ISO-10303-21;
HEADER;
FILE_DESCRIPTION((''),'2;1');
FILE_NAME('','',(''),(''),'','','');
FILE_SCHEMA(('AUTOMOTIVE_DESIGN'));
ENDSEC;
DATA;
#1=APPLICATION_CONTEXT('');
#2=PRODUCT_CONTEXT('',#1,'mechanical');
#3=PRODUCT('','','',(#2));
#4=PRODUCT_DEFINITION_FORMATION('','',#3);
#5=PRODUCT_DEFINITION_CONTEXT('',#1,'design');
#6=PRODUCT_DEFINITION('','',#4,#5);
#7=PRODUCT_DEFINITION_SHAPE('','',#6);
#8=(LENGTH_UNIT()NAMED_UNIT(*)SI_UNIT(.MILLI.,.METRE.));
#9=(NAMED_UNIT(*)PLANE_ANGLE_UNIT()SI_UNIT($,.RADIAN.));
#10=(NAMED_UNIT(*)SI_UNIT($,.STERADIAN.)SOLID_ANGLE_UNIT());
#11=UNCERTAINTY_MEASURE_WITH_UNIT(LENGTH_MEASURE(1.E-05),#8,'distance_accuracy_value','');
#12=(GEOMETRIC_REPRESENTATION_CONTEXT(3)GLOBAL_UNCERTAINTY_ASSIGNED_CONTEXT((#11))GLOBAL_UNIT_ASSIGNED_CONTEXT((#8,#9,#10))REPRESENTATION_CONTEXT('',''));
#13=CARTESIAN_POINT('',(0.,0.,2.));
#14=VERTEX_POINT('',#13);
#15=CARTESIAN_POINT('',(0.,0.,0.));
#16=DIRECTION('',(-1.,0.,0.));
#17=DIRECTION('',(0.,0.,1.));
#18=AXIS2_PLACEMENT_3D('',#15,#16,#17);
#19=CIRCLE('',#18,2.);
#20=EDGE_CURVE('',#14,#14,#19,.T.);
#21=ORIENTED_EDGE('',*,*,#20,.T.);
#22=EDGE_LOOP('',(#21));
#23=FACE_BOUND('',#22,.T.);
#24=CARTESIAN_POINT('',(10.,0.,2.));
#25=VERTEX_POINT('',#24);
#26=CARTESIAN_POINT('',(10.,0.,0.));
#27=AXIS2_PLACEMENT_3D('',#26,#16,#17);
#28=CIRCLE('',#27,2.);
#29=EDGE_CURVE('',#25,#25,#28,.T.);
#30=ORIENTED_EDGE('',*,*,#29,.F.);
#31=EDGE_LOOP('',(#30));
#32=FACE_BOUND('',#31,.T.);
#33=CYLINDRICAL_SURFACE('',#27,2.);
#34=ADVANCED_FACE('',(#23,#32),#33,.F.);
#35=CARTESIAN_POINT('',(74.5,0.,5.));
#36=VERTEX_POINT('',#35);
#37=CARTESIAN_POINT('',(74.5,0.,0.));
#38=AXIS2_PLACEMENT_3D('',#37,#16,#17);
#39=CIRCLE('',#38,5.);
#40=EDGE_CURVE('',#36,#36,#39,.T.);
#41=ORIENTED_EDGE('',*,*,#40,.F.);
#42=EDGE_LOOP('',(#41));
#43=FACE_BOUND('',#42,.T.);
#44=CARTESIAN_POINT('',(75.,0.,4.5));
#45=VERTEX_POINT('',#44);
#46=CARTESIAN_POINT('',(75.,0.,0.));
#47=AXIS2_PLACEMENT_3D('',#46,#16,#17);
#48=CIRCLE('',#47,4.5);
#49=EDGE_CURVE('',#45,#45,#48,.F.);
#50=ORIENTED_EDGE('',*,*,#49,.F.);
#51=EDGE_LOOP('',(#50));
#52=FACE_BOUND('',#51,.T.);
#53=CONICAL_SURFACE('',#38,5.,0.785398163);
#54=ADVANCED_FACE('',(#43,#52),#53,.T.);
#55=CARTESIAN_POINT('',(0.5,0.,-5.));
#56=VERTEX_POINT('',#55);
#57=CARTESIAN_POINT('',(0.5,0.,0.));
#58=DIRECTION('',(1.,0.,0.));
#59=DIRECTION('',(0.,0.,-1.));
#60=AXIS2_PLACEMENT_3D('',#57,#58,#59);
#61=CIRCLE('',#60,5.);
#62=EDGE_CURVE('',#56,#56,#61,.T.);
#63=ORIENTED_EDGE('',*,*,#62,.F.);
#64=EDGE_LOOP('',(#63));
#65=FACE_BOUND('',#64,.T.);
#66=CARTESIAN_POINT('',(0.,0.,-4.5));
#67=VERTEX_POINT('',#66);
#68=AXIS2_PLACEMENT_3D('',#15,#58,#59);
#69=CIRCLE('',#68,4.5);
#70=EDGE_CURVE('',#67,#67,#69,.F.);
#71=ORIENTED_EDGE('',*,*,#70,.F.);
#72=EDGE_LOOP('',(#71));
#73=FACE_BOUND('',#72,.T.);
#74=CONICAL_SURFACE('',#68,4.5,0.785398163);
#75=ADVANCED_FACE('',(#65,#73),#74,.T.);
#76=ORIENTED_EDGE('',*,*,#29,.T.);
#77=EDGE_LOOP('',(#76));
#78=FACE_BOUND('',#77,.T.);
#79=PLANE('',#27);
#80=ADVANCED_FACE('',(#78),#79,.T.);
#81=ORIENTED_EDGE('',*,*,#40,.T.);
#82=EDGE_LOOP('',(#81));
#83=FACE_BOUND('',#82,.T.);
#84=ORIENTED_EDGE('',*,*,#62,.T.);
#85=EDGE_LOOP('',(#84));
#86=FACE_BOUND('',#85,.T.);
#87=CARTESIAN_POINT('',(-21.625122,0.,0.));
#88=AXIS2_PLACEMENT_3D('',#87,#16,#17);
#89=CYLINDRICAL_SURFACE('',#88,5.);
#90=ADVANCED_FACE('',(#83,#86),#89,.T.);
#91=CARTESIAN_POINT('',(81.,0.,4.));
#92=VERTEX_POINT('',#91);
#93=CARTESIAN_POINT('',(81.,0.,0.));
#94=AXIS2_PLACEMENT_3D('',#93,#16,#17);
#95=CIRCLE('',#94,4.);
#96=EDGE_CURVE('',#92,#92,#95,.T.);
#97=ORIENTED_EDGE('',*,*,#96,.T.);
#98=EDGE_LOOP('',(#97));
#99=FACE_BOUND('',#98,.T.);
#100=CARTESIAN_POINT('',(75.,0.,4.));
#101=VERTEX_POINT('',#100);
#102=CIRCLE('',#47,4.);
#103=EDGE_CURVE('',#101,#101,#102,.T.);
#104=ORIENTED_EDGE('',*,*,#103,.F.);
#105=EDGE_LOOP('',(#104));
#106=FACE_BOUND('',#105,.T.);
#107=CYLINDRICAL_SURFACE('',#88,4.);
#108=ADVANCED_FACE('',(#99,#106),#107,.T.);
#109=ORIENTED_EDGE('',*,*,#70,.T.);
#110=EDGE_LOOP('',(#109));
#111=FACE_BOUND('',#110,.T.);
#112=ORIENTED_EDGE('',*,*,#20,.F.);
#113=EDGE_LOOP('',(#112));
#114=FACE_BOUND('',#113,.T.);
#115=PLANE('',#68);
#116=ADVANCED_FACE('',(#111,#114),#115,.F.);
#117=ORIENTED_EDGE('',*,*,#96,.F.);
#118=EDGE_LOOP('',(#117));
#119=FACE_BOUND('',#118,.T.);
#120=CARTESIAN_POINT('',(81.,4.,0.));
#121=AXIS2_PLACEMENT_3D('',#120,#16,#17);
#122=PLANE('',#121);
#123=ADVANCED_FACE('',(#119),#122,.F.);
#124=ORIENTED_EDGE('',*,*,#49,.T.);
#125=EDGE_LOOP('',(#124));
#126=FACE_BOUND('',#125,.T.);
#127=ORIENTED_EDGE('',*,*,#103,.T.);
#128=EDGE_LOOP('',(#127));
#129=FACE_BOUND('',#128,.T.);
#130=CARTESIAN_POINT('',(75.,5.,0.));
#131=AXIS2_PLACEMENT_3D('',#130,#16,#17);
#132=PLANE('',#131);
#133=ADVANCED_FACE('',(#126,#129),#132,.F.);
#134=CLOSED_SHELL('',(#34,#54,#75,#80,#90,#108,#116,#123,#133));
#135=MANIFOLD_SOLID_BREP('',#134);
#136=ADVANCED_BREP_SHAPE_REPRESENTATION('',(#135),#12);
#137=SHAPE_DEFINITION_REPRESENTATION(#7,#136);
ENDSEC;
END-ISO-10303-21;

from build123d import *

# Parameters (mm, degrees)
CHAMFER1_SIZE      = 0.5
SKETCH6_R          = 2
CUT_EXTRUDE1_DEPTH = 10


with BuildPart() as part:
    # Sketch1 → Revolve1 (revolve)
    with BuildSketch(Plane.XY, mode=Mode.PRIVATE) as revolve1_sk:
        Polygon((0, 0), (0, 5), (75, 5), (75, 4), (81, 4), (81, 0), align=None)
    revolve(revolve1_sk.sketch.rotate(Axis((-21.625122332, 0, 0), (1, 0, 0)), 90), axis=Axis((-21.625122332, 0, 0), (1, 0, 0)))

    # Chamfer1
    chamfer1_edges = [part.edges().sort_by_distance(p)[0] for p in [
        (75, 0, -5),
        (0, 0, -5),
    ]]
    chamfer(chamfer1_edges, length=CHAMFER1_SIZE)

    # Sketch6 → Cut-Extrude1 (cut)
    with BuildSketch(Plane.ZY):
        Circle(SKETCH6_R)
    extrude(amount=-CUT_EXTRUDE1_DEPTH, mode=Mode.SUBTRACT)


solid = part.part
